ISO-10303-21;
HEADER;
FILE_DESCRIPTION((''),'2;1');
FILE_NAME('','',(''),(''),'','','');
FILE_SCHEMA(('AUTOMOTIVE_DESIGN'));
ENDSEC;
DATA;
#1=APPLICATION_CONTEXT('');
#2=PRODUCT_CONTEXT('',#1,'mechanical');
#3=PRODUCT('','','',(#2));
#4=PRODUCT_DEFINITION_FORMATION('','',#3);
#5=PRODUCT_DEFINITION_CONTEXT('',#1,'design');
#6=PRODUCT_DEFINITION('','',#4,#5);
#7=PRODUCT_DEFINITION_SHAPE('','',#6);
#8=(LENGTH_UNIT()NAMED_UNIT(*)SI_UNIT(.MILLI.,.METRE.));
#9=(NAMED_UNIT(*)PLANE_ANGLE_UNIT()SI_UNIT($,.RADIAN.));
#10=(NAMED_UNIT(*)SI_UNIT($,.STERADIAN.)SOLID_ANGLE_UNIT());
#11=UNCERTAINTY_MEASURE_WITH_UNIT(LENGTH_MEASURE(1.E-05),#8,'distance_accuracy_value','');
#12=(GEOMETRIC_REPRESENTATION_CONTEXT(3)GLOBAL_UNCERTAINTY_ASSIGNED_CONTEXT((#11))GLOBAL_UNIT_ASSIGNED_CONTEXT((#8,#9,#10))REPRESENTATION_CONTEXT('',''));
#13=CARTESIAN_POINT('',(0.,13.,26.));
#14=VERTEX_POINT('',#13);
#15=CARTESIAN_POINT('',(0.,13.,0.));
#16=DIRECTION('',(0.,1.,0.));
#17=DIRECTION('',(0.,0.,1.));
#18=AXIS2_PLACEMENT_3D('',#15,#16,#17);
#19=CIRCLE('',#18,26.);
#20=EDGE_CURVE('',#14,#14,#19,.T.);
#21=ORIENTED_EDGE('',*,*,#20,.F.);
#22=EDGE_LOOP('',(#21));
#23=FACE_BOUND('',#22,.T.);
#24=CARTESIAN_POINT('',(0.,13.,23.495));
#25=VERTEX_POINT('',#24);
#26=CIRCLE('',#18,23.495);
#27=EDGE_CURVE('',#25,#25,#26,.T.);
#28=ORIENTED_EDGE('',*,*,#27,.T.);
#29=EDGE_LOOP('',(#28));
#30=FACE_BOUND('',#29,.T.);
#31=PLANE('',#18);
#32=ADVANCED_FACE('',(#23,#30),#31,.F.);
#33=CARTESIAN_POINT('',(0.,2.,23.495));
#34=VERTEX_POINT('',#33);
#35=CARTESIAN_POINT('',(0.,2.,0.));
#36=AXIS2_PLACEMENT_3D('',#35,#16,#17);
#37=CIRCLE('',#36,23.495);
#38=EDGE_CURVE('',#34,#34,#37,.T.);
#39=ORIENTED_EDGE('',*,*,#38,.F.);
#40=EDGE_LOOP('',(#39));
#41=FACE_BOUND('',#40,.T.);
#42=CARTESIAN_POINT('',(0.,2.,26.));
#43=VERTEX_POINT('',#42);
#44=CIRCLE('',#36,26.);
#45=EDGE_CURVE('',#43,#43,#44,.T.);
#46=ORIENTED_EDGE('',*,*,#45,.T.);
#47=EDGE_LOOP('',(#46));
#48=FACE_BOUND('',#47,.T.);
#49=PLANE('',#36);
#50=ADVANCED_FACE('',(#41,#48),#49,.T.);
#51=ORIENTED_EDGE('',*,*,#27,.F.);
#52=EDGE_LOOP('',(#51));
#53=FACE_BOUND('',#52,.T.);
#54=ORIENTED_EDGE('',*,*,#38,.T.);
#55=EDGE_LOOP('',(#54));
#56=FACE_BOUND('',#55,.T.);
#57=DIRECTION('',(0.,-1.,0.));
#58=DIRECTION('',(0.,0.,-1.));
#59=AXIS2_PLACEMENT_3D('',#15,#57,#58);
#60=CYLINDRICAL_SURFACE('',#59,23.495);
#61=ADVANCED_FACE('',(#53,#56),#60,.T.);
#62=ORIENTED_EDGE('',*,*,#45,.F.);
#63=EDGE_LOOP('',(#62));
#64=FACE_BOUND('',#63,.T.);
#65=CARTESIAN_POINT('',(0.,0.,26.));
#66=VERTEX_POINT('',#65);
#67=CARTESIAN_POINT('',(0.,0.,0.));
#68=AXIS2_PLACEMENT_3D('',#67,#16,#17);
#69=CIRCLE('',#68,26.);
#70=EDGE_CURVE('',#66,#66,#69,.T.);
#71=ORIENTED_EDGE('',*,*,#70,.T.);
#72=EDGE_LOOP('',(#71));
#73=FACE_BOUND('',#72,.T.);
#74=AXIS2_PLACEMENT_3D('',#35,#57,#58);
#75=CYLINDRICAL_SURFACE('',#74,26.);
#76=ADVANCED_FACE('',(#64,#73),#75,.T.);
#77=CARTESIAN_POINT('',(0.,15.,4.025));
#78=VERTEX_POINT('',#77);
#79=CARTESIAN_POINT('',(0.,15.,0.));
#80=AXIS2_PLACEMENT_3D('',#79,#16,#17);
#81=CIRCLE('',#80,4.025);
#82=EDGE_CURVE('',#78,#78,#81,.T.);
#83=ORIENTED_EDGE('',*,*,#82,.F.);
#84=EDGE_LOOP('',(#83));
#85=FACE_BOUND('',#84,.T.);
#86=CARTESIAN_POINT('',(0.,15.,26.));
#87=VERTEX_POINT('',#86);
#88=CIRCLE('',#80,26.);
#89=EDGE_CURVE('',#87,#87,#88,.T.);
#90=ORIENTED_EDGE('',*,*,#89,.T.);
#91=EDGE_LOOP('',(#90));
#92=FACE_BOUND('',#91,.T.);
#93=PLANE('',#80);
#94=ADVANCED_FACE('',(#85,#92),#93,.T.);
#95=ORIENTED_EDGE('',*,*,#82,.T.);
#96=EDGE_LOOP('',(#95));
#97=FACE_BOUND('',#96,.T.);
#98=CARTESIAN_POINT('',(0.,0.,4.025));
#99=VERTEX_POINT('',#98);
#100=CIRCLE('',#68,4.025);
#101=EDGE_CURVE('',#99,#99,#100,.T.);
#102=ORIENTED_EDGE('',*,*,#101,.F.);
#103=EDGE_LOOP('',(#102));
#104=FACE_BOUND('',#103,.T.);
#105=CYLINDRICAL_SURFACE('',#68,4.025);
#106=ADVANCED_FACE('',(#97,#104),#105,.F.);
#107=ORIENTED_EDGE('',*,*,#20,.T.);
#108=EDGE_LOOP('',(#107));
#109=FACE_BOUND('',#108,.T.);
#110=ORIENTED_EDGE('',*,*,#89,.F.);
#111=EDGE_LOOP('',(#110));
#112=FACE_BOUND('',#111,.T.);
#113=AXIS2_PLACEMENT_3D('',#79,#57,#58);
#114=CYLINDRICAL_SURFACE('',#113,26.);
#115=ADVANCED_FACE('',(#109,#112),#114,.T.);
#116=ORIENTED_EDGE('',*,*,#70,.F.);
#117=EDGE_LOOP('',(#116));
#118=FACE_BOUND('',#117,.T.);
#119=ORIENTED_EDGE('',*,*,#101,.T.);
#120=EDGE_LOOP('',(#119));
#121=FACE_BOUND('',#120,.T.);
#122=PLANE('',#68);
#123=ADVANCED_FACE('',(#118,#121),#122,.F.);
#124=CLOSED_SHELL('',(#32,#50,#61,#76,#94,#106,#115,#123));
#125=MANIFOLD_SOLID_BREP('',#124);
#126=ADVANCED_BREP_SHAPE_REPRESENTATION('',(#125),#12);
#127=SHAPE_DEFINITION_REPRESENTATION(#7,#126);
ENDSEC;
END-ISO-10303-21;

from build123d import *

# Parameters (mm, degrees)
SKETCH_1_R          = 26
EXTRUDE_1_DEPTH     = 2
SKETCH_2_R          = 23.495
EXTRUDE_2_DEPTH     = 11
SKETCH_3_R          = 26
EXTRUDE_3_DEPTH     = 2
SKETCH_4_R          = 4.025
CUT_EXTRUDE_1_DEPTH = 16


with BuildPart() as part:
    # 草图1 → 凸台-拉伸1 (new body)
    with BuildSketch(Plane(origin=(0, 0, 0), x_dir=(1, 0, 0), z_dir=(0, 1, 0))):
        Circle(SKETCH_1_R)
    extrude(amount=EXTRUDE_1_DEPTH)

    # 草图2 → 凸台-拉伸2 (add)
    with BuildSketch(Plane(origin=(0, 2, 0), x_dir=(1, 0, 0), z_dir=(0, 1, 0))):
        Circle(SKETCH_2_R)
    extrude(amount=EXTRUDE_2_DEPTH)

    # 草图3 → 凸台-拉伸3 (add)
    with BuildSketch(Plane(origin=(0, 13, 0), x_dir=(1, 0, 0), z_dir=(0, 1, 0))):
        Circle(SKETCH_3_R)
    extrude(amount=EXTRUDE_3_DEPTH)

    # 草图4 → 切除-拉伸1 (cut, through all)
    with BuildSketch(Plane(origin=(0, 15, 0), x_dir=(1, 0, 0), z_dir=(0, 1, 0))):
        Circle(SKETCH_4_R)
    extrude(amount=-CUT_EXTRUDE_1_DEPTH, mode=Mode.SUBTRACT)


solid = part.part
